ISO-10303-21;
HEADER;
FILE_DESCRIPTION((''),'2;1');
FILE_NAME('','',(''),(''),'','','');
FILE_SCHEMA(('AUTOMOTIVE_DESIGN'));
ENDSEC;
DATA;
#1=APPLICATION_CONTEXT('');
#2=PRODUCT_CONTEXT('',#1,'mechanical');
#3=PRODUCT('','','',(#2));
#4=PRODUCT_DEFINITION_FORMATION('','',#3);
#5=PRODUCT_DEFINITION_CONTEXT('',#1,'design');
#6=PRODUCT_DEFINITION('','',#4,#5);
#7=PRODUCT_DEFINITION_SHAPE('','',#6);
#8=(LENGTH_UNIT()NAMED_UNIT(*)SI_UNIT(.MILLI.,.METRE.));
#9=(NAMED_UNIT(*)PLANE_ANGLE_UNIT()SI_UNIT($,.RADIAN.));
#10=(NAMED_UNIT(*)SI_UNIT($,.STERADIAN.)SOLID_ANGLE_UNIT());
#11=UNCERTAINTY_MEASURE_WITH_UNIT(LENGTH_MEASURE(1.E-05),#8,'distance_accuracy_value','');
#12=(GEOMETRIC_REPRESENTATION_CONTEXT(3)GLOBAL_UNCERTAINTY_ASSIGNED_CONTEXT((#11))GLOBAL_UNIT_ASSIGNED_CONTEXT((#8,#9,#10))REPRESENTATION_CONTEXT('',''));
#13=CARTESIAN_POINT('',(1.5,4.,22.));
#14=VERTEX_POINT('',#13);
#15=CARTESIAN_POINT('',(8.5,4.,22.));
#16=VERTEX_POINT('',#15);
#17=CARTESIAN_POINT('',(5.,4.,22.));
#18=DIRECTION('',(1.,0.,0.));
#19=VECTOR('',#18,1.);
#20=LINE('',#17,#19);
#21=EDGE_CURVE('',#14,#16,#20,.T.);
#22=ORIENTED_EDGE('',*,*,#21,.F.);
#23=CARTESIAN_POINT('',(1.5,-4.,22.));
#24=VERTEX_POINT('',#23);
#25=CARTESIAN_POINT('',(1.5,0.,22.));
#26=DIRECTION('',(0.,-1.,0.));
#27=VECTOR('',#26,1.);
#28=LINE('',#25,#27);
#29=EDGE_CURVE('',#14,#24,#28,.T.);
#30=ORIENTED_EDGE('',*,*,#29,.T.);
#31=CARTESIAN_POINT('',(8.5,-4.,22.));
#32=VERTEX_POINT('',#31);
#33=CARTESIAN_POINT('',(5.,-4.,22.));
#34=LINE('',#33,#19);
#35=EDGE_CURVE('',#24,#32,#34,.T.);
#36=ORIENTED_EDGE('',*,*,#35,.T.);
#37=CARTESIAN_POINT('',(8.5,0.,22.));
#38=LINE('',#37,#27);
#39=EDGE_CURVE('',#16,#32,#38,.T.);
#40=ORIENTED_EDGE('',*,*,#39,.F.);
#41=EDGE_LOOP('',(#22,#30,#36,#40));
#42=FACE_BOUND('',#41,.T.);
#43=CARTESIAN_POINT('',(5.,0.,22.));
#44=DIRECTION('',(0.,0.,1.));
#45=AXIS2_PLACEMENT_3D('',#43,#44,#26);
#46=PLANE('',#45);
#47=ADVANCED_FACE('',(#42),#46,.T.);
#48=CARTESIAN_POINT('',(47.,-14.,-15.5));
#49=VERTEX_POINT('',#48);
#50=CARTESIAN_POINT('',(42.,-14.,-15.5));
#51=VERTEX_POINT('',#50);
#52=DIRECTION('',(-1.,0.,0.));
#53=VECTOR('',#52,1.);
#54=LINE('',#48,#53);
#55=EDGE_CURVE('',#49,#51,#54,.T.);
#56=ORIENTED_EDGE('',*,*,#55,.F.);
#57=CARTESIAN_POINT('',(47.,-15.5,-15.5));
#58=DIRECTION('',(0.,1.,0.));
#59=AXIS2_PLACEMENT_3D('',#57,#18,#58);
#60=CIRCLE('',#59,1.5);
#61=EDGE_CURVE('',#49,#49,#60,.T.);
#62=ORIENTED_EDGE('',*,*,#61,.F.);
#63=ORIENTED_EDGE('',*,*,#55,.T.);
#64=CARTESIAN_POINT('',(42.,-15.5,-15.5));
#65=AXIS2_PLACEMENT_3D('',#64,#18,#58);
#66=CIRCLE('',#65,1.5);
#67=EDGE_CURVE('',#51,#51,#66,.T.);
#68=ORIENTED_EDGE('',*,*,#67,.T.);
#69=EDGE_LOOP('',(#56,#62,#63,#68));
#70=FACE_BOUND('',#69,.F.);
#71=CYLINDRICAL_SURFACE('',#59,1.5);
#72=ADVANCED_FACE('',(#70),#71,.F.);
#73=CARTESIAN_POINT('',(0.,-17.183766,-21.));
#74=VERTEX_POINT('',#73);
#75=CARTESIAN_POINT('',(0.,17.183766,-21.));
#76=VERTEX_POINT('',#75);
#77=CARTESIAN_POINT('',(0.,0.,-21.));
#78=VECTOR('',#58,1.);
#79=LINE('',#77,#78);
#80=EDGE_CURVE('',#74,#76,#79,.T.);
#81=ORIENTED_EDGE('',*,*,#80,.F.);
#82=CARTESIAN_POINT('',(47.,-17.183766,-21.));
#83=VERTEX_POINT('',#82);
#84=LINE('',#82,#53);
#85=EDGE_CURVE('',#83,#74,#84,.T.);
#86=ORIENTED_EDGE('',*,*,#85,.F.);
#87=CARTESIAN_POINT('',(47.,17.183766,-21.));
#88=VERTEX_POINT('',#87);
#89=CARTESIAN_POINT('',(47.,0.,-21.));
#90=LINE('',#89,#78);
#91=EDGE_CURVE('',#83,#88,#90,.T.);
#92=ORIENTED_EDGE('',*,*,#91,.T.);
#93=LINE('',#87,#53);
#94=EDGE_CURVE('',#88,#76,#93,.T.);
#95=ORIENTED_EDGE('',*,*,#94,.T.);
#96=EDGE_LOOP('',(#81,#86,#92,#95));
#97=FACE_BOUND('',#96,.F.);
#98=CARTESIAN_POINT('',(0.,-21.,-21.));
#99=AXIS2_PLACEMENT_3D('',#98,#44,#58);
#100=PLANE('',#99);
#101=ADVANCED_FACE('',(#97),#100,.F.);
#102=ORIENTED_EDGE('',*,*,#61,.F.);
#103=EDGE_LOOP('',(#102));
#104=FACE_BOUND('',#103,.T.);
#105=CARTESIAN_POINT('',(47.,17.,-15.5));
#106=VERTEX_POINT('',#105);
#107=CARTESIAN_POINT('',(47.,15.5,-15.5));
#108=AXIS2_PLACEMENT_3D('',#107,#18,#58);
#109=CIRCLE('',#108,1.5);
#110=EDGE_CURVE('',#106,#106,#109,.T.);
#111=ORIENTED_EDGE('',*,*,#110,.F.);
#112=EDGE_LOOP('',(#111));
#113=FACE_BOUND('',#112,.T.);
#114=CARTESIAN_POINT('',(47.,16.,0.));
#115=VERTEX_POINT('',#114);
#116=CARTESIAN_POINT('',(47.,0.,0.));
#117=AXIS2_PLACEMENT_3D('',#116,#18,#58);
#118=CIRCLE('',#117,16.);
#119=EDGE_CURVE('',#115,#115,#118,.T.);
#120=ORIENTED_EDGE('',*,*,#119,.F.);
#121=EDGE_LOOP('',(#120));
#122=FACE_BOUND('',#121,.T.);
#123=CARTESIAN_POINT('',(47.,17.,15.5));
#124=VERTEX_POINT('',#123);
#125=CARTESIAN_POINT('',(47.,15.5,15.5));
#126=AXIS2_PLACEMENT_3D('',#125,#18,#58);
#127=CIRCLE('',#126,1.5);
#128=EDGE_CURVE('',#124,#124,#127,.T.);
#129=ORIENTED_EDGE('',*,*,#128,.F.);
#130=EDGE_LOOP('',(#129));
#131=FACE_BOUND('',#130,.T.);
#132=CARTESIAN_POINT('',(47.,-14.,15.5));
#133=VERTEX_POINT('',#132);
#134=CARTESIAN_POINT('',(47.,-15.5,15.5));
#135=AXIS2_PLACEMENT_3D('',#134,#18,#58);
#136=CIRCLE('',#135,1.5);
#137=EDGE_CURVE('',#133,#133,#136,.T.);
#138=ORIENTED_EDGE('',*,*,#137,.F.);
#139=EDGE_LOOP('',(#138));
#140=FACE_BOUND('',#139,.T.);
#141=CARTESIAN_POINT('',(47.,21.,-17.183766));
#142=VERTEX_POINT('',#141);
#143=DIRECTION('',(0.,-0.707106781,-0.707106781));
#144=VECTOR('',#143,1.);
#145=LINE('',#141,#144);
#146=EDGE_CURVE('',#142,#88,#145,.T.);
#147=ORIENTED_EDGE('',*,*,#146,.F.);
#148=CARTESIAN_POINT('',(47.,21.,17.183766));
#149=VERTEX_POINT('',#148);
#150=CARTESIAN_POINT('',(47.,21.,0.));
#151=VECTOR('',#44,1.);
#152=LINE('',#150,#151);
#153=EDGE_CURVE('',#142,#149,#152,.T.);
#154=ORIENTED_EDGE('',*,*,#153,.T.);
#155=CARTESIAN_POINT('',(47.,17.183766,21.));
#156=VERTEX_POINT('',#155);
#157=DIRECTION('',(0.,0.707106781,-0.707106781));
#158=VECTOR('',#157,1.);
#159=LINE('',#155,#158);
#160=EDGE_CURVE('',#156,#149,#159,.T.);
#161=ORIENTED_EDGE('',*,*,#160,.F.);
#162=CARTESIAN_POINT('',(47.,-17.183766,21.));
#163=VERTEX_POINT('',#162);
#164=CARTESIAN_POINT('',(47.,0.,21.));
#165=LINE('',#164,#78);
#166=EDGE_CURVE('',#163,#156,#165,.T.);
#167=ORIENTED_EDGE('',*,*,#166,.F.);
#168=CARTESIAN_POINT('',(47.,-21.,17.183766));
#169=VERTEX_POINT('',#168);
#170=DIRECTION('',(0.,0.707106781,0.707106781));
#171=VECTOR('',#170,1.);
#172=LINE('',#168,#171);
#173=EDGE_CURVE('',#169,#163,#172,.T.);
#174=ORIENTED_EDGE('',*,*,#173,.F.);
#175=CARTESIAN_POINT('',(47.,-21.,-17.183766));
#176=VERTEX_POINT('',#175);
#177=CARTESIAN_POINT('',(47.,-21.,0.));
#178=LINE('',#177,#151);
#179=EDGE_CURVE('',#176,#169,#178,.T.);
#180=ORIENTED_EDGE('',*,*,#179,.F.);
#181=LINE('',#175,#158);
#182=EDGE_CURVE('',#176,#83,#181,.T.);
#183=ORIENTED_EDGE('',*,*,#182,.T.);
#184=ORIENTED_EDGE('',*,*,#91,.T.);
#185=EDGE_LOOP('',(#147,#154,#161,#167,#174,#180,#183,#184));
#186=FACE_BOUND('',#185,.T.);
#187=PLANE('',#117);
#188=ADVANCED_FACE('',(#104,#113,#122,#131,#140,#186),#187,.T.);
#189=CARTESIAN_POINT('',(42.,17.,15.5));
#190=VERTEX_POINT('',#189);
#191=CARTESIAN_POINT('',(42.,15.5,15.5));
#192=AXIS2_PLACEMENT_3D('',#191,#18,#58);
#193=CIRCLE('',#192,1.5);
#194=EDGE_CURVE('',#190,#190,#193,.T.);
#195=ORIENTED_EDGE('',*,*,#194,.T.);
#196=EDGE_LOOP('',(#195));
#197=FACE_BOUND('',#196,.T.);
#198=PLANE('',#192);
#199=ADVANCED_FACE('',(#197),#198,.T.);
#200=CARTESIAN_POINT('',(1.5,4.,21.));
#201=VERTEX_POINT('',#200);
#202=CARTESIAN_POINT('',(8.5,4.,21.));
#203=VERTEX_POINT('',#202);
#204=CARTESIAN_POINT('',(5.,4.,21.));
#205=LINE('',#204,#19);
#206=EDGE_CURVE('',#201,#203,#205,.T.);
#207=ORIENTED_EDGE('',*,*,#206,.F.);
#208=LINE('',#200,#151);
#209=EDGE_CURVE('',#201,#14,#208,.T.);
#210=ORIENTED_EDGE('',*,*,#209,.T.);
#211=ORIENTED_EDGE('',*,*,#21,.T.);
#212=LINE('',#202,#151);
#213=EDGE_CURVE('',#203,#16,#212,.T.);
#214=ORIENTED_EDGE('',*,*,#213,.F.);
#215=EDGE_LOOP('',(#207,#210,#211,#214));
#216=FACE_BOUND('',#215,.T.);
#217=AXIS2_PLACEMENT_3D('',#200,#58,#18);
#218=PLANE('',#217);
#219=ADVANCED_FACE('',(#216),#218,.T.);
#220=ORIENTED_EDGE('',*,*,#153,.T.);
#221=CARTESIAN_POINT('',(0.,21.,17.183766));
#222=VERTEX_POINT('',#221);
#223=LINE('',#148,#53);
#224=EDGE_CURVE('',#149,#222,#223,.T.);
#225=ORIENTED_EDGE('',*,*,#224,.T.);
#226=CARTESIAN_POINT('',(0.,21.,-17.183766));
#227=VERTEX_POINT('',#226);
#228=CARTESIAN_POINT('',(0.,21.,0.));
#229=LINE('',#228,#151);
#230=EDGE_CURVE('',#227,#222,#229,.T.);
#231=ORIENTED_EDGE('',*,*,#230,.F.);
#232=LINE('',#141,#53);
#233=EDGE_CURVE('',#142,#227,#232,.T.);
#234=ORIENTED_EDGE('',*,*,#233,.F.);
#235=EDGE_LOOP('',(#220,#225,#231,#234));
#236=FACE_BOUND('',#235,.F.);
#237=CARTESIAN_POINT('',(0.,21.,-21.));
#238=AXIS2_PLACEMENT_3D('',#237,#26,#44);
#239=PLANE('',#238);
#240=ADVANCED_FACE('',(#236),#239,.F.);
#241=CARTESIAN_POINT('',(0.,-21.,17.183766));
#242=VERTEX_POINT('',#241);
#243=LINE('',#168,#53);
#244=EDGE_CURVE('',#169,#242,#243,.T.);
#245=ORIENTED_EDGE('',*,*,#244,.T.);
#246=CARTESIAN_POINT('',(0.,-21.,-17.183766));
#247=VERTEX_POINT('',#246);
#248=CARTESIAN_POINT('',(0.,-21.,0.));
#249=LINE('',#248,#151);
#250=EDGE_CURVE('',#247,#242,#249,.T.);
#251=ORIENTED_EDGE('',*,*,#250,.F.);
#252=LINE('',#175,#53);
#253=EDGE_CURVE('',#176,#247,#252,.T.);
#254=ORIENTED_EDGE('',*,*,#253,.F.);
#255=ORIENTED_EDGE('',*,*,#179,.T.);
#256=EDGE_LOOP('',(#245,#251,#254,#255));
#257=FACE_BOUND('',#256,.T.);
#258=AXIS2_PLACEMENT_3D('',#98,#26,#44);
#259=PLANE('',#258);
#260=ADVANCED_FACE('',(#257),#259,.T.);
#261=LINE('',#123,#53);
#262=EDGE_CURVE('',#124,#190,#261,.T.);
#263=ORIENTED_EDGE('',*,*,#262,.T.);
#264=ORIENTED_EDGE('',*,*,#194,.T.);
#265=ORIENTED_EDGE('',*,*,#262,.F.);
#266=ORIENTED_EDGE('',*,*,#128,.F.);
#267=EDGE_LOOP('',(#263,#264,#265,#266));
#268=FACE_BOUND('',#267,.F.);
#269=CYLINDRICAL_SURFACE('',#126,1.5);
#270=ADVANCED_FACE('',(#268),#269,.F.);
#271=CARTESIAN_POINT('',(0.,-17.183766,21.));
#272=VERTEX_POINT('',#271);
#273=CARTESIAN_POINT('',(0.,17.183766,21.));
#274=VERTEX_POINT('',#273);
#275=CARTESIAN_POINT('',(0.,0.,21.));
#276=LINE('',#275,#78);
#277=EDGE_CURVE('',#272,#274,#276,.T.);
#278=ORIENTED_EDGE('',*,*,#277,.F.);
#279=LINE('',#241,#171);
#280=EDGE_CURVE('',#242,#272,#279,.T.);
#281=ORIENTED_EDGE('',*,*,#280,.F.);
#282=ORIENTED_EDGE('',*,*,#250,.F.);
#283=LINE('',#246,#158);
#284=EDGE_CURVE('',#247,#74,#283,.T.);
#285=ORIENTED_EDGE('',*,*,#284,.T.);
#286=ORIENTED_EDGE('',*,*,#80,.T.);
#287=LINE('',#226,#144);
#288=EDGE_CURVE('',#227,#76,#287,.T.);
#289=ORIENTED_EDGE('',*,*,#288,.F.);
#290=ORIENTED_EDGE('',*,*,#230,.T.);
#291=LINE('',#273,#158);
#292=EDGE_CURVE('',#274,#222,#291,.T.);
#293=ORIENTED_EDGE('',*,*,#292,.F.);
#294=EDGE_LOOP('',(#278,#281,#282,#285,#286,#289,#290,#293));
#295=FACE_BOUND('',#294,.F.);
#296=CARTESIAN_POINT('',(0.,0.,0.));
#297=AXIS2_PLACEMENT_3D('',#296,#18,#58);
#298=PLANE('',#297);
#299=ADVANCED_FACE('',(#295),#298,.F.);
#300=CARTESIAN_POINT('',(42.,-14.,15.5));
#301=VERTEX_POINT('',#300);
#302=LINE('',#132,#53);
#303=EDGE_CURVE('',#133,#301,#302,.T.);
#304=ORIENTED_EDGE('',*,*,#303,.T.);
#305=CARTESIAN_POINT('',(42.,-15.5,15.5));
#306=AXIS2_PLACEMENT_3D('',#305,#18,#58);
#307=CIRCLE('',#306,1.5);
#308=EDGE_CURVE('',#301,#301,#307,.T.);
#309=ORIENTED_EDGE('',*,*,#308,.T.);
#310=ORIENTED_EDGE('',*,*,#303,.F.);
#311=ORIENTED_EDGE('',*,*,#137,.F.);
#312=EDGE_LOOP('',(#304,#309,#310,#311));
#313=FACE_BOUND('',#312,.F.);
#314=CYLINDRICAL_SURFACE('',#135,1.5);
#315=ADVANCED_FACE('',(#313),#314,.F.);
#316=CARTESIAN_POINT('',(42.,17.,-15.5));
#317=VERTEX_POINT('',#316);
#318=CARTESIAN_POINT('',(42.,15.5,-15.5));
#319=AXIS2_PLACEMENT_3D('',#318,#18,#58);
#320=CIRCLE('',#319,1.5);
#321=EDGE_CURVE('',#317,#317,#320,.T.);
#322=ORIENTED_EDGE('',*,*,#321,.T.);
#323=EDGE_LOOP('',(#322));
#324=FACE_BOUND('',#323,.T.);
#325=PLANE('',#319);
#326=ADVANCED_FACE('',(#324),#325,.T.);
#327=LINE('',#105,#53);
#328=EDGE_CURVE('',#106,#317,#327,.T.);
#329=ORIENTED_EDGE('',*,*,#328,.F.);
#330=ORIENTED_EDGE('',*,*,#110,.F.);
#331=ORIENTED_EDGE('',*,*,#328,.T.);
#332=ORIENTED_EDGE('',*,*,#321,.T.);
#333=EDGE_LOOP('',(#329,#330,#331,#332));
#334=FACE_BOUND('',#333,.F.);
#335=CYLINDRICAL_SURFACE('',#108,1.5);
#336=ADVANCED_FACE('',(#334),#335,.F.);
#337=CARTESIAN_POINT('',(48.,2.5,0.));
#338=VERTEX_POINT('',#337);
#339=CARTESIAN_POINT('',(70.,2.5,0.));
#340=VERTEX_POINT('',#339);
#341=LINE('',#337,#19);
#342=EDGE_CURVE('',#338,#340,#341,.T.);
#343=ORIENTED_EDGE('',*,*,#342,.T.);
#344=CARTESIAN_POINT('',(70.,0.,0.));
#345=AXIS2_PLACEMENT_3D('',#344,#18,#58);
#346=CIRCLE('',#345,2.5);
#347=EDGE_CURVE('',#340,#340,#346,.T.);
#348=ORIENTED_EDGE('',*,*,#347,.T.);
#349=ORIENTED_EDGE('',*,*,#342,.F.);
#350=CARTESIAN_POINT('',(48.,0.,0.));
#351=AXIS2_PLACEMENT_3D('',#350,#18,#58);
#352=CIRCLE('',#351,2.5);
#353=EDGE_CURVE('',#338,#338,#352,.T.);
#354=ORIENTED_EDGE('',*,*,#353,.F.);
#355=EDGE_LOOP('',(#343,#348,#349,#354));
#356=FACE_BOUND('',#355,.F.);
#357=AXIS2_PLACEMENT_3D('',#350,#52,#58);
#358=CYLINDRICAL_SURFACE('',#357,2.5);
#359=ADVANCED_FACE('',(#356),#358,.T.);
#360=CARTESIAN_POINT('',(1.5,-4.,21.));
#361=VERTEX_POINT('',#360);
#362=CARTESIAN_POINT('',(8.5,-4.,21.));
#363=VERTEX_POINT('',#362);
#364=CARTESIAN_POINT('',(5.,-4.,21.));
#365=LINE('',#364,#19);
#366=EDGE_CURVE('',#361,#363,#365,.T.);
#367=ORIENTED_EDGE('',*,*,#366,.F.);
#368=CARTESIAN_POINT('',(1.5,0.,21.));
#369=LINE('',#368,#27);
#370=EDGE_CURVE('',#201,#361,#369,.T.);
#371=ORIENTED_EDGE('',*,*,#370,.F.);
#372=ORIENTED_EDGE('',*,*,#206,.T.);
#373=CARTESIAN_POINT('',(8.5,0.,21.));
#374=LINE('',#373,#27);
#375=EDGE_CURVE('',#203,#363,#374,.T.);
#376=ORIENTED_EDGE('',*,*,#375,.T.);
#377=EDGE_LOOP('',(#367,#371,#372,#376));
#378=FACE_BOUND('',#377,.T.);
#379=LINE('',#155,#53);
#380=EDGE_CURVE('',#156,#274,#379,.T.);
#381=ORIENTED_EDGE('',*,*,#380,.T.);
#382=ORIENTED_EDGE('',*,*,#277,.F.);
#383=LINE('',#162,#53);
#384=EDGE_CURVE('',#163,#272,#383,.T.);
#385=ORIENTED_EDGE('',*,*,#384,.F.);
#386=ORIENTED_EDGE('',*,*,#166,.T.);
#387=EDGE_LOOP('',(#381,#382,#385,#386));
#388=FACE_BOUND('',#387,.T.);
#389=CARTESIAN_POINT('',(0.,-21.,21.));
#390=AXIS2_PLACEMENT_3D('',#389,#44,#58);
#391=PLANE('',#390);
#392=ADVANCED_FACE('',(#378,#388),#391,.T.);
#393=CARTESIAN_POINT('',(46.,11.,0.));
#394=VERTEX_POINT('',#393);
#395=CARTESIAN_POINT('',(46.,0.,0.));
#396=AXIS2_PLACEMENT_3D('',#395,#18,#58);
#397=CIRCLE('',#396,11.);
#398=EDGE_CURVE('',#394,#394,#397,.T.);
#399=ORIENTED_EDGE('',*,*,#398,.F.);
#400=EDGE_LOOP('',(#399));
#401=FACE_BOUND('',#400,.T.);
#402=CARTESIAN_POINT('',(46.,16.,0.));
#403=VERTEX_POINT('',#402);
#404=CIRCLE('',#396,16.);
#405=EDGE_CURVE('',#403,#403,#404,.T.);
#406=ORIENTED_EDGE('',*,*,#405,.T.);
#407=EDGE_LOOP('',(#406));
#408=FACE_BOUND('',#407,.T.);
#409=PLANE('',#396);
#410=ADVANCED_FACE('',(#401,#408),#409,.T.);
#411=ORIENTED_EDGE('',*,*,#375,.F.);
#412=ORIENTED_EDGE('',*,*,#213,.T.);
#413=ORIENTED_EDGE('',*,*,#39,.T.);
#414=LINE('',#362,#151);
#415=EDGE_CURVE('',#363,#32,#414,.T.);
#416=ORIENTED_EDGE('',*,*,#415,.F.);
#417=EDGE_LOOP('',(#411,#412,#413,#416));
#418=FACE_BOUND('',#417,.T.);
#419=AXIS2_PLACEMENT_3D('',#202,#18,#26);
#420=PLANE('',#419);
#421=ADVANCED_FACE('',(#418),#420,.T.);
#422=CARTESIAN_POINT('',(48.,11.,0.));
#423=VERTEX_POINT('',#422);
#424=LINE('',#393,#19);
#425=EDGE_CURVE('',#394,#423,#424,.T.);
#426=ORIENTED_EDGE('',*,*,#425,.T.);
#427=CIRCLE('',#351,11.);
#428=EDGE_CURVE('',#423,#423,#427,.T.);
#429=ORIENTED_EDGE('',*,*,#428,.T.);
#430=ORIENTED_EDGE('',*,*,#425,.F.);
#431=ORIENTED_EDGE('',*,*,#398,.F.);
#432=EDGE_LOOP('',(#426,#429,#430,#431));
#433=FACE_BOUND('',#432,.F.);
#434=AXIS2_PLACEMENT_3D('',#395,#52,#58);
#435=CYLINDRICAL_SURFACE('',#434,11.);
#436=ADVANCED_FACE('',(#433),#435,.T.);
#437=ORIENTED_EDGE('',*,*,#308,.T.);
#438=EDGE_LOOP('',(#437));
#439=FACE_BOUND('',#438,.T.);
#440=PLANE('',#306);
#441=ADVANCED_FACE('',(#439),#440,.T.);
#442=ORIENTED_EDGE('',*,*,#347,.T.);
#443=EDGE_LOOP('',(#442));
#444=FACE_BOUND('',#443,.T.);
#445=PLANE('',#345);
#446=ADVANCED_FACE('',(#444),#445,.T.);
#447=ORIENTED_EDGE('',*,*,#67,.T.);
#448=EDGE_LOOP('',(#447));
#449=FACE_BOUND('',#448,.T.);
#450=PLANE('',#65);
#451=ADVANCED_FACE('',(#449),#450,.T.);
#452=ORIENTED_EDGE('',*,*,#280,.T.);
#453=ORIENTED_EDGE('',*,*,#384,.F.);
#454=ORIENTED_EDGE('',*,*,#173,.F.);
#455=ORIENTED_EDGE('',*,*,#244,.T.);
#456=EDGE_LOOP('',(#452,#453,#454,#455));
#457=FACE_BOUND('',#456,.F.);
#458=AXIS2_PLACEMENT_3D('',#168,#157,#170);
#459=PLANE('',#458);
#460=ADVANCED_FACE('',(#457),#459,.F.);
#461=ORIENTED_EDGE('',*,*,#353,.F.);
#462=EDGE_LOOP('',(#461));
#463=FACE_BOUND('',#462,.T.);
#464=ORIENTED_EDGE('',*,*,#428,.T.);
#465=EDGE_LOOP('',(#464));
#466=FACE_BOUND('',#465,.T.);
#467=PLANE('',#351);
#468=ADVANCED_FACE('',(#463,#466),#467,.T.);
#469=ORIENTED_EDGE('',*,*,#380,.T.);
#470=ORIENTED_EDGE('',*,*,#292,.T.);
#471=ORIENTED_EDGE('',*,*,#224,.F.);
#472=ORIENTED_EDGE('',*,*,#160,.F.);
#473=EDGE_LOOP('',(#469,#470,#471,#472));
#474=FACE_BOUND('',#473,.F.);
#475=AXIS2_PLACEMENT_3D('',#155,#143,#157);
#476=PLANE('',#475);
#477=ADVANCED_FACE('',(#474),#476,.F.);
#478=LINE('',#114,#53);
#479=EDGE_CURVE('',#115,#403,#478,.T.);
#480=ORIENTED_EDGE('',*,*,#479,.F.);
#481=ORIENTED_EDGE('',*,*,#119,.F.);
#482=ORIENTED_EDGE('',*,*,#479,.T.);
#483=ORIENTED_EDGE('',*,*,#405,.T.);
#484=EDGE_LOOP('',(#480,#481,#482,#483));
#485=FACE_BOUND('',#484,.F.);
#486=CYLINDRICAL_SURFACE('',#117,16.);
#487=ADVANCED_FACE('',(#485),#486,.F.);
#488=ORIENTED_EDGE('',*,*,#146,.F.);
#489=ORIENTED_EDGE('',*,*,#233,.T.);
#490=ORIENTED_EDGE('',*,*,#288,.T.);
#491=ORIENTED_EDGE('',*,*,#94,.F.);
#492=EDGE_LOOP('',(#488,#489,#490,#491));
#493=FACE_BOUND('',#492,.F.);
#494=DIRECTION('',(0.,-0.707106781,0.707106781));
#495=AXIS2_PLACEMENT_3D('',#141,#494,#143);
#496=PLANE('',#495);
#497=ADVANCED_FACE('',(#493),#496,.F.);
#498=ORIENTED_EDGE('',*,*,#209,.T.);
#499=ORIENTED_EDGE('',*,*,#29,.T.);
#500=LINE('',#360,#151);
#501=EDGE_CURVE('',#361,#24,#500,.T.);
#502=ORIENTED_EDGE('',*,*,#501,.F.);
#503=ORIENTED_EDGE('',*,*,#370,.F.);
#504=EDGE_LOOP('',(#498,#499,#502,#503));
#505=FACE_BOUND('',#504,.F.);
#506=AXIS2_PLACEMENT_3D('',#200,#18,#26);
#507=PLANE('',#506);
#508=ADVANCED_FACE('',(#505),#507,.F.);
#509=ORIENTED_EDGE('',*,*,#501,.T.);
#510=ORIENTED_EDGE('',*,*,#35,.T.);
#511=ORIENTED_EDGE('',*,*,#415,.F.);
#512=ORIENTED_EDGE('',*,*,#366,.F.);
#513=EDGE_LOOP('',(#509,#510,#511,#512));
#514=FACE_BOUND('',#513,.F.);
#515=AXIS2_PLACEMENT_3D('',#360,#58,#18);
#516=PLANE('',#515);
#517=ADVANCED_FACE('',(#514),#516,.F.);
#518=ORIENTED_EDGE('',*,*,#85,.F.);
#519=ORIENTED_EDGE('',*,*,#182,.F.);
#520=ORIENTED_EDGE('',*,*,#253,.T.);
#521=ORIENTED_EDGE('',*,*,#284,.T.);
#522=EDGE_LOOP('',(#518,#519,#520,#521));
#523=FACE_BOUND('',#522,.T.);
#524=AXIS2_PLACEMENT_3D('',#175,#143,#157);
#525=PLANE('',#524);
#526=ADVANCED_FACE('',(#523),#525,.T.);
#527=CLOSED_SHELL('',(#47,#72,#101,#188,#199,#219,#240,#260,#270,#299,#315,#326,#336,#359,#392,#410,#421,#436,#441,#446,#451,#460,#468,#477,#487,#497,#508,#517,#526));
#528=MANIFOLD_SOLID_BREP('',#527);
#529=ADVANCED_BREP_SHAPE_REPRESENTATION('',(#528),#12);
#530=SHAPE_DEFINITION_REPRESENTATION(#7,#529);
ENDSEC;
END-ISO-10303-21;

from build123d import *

# Parameters (mm, degrees)
SKETCH_W        = 42
SKETCH_H        = 42
PAD_DEPTH       = 47
SKETCH001_R     = 1.5
POCKET_DEPTH    = 5
POCKET001_DEPTH = 47
SKETCH003_R     = 16
POCKET002_DEPTH = 1
SKETCH004_R     = 11
PAD001_DEPTH    = 2
SKETCH005_R     = 2.5
PAD002_DEPTH    = 22
SKETCH006_W     = 8
SKETCH006_H     = 7
PAD003_DEPTH    = 1


with BuildPart() as part:
    # Sketch → Pad (new body)
    with BuildSketch(Plane.YZ):
        Rectangle(SKETCH_W, SKETCH_H)
    extrude(amount=PAD_DEPTH)

    # Sketch001 → Pocket (cut)
    with BuildSketch(Plane.YZ.offset(47)):
        with Locations((15.5, 15.5)):
            Circle(SKETCH001_R)
        with Locations((-15.5, 15.5)):
            Circle(SKETCH001_R)
        with Locations((-15.5, -15.5)):
            Circle(SKETCH001_R)
        with Locations((15.5, -15.5)):
            Circle(SKETCH001_R)
    extrude(amount=-POCKET_DEPTH, mode=Mode.SUBTRACT)

    # Sketch002 → Pocket001 (cut)
    with BuildSketch(Plane.YZ.offset(47)):
        Polygon((-21, 21), (-21, 17.183766), (-17.183766, 21), align=None)
        Polygon((21, 21), (17.183766, 21), (21, 17.183766), align=None)
        Polygon((21, -21), (21, -17.183766), (17.183766, -21), align=None)
        Polygon((-21, -21), (-21, -17.183766), (-17.183766, -21), align=None)
    extrude(amount=-POCKET001_DEPTH, mode=Mode.SUBTRACT)

    # Sketch003 → Pocket002 (cut)
    with BuildSketch(Plane.YZ.offset(47)):
        Circle(SKETCH003_R)
    extrude(amount=-POCKET002_DEPTH, mode=Mode.SUBTRACT)

    # Sketch004 → Pad001 (new body)
    with BuildSketch(Plane.YZ.offset(46)):
        Circle(SKETCH004_R)
    extrude(amount=PAD001_DEPTH)

    # Sketch005 → Pad002 (new body)
    with BuildSketch(Plane.YZ.offset(48)):
        Circle(SKETCH005_R)
    extrude(amount=PAD002_DEPTH)

    # Sketch006 → Pad003 (new body)
    with BuildSketch(Plane(origin=(0, 0, 21), x_dir=(0, -1, 0), z_dir=(0, 0, 1))):
        with Locations((0, 5)):
            Rectangle(SKETCH006_W, SKETCH006_H)
    extrude(amount=PAD003_DEPTH)


solid = part.part
